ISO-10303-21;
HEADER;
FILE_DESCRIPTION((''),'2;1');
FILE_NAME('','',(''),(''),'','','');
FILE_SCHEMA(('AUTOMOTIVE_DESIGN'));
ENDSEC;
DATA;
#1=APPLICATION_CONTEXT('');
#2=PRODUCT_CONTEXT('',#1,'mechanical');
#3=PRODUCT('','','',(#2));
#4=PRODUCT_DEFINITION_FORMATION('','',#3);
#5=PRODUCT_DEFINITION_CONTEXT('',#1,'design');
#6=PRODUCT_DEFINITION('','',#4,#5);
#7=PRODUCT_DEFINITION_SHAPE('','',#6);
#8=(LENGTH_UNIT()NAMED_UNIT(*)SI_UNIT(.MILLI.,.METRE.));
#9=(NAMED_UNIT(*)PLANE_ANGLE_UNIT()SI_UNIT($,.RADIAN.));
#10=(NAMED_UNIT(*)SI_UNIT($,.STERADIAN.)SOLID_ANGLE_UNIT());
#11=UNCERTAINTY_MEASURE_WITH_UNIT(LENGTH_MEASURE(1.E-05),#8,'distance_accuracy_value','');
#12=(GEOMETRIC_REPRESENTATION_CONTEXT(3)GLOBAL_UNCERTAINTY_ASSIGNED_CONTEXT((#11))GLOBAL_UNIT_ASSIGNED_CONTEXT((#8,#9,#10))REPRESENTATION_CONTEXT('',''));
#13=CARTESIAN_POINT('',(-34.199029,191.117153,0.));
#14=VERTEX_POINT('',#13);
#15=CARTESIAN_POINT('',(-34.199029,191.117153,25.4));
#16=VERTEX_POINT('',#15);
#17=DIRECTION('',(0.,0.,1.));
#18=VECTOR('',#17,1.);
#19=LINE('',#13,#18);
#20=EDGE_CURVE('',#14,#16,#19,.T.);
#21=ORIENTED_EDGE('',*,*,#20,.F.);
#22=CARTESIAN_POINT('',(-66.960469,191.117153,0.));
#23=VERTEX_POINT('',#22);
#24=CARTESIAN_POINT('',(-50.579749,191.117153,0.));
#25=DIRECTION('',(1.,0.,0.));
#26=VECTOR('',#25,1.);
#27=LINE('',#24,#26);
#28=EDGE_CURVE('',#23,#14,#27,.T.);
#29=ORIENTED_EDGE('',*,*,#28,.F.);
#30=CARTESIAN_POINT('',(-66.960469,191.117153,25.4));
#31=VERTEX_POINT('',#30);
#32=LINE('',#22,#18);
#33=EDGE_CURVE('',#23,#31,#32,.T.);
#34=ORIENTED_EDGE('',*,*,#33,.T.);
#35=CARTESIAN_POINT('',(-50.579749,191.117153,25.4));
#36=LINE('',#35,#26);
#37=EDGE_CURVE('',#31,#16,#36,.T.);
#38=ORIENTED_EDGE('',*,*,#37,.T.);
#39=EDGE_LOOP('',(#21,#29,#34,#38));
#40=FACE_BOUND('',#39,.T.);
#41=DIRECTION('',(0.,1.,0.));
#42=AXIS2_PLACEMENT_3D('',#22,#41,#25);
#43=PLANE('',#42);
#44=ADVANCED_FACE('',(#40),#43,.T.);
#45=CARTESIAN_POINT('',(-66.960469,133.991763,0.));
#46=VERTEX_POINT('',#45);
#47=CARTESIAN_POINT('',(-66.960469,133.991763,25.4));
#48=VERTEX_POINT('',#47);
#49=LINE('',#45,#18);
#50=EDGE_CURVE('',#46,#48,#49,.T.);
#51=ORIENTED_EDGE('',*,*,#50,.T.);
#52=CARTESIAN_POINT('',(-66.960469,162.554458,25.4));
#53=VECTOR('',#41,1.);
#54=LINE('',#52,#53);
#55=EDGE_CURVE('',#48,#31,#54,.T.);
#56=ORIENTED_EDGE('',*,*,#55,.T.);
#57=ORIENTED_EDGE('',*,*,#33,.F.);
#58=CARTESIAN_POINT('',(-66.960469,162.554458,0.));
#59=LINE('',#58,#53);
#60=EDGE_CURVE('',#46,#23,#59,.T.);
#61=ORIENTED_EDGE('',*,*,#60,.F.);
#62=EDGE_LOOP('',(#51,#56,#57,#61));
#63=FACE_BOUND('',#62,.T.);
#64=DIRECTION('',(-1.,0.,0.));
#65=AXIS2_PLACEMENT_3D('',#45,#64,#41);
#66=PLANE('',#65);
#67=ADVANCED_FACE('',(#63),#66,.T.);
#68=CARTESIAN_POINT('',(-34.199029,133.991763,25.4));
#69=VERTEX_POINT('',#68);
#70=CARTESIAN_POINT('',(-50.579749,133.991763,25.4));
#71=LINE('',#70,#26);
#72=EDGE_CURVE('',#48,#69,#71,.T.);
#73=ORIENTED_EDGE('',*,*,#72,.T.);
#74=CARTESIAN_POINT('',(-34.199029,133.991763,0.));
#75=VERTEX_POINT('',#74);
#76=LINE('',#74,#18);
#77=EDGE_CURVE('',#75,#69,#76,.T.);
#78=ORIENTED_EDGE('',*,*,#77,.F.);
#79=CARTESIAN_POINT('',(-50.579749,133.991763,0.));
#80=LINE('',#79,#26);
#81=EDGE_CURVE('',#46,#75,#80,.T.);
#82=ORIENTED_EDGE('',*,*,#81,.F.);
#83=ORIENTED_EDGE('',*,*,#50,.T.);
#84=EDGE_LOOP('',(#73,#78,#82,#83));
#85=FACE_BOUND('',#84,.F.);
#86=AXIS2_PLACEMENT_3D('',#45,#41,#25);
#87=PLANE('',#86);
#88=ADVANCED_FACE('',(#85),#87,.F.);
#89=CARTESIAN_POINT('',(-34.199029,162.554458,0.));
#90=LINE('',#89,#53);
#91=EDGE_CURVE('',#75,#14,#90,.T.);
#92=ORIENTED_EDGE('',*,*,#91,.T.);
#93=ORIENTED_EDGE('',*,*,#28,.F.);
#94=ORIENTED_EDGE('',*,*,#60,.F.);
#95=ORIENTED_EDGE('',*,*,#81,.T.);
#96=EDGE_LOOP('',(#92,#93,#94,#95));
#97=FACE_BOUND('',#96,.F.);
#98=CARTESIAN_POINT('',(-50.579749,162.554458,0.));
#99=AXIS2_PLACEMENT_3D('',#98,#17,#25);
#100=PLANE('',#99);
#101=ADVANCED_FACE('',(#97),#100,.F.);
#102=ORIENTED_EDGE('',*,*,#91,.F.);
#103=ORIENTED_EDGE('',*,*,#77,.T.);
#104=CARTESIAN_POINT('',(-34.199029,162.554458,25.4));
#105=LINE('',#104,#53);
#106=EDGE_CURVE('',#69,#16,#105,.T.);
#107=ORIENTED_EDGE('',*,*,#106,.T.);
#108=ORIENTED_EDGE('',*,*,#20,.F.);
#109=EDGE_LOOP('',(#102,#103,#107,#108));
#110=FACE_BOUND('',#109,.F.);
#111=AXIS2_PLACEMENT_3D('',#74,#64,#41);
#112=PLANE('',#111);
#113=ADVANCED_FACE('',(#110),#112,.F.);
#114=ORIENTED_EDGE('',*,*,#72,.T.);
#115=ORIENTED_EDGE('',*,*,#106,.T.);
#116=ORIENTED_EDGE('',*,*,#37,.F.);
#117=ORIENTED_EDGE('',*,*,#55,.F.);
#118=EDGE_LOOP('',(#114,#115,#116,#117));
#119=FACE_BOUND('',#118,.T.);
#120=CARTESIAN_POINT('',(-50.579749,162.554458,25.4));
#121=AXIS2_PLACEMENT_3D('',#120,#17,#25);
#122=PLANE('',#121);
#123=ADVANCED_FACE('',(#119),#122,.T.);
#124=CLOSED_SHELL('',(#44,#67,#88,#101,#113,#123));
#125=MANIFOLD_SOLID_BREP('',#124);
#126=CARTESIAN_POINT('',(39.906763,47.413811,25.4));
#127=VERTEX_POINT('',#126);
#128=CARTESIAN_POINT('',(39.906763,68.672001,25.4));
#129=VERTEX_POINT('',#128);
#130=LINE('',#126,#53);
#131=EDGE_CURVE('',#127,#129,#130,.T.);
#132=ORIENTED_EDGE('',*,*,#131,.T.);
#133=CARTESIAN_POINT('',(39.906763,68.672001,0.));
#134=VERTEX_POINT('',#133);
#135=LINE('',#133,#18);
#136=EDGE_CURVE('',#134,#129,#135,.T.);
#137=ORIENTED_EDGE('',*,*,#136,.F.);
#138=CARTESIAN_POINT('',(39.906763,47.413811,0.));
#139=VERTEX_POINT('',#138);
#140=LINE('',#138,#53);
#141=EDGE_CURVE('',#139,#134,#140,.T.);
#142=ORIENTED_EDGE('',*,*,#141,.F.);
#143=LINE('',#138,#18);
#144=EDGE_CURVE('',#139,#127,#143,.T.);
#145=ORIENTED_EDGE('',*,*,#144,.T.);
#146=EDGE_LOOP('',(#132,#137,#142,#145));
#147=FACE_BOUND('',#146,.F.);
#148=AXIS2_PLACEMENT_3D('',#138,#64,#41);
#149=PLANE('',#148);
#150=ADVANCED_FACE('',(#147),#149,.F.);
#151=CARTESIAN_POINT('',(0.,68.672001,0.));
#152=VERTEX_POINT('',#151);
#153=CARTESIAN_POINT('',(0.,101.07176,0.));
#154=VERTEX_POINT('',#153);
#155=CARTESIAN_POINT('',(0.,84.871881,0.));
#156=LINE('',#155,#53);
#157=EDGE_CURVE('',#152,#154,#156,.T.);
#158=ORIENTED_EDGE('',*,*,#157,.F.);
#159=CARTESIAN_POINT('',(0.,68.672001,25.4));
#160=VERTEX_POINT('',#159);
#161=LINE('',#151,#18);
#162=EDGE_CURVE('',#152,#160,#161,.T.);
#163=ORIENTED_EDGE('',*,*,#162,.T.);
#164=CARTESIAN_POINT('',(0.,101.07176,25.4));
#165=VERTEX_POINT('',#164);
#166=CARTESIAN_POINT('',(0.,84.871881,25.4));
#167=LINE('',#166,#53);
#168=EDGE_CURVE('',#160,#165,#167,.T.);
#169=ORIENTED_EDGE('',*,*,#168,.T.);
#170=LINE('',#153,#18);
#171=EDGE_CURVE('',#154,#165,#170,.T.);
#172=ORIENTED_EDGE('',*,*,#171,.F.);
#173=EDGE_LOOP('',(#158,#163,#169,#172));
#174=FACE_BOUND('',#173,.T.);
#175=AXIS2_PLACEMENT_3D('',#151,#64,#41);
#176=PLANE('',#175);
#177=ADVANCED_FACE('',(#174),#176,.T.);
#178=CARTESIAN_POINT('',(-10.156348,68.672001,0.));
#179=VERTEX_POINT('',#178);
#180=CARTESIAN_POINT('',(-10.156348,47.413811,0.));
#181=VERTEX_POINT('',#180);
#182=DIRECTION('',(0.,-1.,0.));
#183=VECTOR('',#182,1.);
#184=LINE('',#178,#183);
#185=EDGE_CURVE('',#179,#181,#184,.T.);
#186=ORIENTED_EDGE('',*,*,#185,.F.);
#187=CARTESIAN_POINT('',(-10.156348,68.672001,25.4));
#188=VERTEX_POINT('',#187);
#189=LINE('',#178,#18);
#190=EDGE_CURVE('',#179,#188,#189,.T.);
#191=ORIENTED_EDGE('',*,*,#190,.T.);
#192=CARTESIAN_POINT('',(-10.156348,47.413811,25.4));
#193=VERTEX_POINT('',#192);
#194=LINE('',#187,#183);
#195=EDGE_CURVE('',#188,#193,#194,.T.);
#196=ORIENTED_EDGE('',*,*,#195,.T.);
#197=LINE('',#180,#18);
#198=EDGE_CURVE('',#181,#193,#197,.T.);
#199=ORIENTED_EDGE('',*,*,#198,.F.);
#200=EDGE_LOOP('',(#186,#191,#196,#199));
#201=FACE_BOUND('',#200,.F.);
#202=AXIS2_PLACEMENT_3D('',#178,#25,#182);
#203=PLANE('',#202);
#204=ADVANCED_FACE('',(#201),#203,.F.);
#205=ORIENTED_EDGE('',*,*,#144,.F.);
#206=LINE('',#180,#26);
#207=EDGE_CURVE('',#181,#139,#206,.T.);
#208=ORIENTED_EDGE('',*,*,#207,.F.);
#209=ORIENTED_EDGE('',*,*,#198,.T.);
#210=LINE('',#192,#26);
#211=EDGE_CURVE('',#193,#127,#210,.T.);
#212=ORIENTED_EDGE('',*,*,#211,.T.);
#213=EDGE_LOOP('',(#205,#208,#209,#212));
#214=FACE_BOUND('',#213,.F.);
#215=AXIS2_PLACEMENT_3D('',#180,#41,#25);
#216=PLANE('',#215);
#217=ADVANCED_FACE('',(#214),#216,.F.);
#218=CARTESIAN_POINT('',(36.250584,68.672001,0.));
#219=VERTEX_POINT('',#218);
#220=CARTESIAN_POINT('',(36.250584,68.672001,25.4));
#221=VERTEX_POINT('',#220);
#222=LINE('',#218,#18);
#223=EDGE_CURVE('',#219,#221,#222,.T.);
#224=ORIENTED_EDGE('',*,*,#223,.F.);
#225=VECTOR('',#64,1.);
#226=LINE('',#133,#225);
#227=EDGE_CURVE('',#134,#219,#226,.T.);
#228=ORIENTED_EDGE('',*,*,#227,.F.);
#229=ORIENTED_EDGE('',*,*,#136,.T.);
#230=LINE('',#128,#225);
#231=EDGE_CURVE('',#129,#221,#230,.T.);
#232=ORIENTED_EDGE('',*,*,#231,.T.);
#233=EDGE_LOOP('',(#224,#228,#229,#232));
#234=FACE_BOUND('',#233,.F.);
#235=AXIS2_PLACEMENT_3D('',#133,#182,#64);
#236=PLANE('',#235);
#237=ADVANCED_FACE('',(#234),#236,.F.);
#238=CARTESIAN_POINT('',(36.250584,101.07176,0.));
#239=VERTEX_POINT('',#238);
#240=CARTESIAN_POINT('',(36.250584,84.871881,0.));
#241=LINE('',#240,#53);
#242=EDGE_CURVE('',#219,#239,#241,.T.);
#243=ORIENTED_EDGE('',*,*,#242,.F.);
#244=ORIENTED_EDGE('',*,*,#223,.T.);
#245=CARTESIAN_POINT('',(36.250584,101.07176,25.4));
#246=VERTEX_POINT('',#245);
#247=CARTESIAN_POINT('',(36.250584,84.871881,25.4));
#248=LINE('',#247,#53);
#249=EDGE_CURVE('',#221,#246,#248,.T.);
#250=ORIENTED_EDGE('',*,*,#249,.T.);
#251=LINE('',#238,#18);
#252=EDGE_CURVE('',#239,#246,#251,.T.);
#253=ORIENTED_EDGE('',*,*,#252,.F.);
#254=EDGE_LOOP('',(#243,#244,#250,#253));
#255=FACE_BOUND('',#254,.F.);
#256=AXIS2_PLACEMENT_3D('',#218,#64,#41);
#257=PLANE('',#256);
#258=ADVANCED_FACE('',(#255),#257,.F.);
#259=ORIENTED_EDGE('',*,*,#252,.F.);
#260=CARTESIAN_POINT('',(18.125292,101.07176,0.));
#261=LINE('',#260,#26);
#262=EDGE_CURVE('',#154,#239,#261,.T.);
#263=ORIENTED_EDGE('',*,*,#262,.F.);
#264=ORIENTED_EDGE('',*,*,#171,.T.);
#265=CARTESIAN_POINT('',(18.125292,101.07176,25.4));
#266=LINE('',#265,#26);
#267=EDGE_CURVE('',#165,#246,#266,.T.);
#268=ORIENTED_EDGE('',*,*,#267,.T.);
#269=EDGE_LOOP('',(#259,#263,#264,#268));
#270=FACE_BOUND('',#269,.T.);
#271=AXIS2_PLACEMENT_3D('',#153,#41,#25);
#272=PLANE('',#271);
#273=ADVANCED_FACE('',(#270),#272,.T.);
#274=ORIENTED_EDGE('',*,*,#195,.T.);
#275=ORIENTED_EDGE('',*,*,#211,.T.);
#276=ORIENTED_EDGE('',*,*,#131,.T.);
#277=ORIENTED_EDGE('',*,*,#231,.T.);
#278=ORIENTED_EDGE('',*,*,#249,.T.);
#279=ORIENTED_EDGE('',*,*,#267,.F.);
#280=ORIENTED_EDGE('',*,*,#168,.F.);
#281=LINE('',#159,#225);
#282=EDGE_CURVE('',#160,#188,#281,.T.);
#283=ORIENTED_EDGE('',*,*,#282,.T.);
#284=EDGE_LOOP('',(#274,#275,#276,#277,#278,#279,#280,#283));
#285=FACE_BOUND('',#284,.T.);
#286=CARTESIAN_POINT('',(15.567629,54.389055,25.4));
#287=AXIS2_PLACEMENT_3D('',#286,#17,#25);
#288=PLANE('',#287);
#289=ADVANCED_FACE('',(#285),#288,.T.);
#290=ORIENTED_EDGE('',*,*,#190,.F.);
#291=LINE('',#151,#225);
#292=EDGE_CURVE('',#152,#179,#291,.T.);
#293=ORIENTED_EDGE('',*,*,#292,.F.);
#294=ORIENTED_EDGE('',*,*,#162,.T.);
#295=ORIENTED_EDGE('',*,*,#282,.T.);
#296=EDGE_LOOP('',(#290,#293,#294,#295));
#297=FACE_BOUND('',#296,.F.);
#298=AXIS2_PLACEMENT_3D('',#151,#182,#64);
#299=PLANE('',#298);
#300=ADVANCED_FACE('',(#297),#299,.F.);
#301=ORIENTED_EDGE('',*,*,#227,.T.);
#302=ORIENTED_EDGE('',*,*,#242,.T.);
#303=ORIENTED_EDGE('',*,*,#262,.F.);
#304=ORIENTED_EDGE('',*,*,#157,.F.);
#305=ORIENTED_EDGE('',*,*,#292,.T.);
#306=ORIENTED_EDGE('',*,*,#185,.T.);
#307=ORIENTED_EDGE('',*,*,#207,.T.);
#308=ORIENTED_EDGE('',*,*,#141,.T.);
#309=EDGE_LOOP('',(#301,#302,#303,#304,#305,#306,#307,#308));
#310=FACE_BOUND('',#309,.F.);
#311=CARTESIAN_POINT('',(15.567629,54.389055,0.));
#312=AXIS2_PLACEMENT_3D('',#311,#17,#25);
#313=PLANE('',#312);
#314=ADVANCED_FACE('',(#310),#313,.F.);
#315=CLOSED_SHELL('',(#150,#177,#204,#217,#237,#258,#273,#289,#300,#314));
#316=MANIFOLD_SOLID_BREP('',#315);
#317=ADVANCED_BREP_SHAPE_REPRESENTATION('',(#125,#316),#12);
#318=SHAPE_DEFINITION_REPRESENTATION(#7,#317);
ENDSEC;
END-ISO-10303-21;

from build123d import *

# Parameters (mm, degrees)
F0_W     = 32.7614396811
F0_H     = 57.125389576
F1_DEPTH = 25.4
F0_W_2   = 36.2505838275
F0_H_2   = 19.3084329367
F0_H_3   = 32.3997586966


with BuildPart() as f1:
    # F0 (on Top) → F1 (new body)
    with BuildSketch(Plane.XY):
        with Locations((-50.5797490478, 162.5544577837)):
            Rectangle(F0_W, F0_H)
    extrude(amount=F1_DEPTH)


with BuildPart() as f1b:
    # F0 (on Top) → F1, piece 2 (new body)
    with BuildSketch(Plane.XY):
        Polygon((36.2505838275, 68.6720013618), (36.2505838275, 49.3635684252), (0, 49.3635684252), (0, 68.6720013618), (-10.1563483477, 68.6720013618), (-10.1563483477, 47.4138110876), (39.9067625403, 47.4138110876), (39.9067625403, 68.6720013618), align=None)
        with Locations((18.1252919137, 59.0177848935)):
            Rectangle(F0_W_2, F0_H_2)
        with Locations((18.1252919137, 84.8718807101)):
            Rectangle(F0_W_2, F0_H_3)
    extrude(amount=F1_DEPTH)


solid = Compound([f1.part, f1b.part])
